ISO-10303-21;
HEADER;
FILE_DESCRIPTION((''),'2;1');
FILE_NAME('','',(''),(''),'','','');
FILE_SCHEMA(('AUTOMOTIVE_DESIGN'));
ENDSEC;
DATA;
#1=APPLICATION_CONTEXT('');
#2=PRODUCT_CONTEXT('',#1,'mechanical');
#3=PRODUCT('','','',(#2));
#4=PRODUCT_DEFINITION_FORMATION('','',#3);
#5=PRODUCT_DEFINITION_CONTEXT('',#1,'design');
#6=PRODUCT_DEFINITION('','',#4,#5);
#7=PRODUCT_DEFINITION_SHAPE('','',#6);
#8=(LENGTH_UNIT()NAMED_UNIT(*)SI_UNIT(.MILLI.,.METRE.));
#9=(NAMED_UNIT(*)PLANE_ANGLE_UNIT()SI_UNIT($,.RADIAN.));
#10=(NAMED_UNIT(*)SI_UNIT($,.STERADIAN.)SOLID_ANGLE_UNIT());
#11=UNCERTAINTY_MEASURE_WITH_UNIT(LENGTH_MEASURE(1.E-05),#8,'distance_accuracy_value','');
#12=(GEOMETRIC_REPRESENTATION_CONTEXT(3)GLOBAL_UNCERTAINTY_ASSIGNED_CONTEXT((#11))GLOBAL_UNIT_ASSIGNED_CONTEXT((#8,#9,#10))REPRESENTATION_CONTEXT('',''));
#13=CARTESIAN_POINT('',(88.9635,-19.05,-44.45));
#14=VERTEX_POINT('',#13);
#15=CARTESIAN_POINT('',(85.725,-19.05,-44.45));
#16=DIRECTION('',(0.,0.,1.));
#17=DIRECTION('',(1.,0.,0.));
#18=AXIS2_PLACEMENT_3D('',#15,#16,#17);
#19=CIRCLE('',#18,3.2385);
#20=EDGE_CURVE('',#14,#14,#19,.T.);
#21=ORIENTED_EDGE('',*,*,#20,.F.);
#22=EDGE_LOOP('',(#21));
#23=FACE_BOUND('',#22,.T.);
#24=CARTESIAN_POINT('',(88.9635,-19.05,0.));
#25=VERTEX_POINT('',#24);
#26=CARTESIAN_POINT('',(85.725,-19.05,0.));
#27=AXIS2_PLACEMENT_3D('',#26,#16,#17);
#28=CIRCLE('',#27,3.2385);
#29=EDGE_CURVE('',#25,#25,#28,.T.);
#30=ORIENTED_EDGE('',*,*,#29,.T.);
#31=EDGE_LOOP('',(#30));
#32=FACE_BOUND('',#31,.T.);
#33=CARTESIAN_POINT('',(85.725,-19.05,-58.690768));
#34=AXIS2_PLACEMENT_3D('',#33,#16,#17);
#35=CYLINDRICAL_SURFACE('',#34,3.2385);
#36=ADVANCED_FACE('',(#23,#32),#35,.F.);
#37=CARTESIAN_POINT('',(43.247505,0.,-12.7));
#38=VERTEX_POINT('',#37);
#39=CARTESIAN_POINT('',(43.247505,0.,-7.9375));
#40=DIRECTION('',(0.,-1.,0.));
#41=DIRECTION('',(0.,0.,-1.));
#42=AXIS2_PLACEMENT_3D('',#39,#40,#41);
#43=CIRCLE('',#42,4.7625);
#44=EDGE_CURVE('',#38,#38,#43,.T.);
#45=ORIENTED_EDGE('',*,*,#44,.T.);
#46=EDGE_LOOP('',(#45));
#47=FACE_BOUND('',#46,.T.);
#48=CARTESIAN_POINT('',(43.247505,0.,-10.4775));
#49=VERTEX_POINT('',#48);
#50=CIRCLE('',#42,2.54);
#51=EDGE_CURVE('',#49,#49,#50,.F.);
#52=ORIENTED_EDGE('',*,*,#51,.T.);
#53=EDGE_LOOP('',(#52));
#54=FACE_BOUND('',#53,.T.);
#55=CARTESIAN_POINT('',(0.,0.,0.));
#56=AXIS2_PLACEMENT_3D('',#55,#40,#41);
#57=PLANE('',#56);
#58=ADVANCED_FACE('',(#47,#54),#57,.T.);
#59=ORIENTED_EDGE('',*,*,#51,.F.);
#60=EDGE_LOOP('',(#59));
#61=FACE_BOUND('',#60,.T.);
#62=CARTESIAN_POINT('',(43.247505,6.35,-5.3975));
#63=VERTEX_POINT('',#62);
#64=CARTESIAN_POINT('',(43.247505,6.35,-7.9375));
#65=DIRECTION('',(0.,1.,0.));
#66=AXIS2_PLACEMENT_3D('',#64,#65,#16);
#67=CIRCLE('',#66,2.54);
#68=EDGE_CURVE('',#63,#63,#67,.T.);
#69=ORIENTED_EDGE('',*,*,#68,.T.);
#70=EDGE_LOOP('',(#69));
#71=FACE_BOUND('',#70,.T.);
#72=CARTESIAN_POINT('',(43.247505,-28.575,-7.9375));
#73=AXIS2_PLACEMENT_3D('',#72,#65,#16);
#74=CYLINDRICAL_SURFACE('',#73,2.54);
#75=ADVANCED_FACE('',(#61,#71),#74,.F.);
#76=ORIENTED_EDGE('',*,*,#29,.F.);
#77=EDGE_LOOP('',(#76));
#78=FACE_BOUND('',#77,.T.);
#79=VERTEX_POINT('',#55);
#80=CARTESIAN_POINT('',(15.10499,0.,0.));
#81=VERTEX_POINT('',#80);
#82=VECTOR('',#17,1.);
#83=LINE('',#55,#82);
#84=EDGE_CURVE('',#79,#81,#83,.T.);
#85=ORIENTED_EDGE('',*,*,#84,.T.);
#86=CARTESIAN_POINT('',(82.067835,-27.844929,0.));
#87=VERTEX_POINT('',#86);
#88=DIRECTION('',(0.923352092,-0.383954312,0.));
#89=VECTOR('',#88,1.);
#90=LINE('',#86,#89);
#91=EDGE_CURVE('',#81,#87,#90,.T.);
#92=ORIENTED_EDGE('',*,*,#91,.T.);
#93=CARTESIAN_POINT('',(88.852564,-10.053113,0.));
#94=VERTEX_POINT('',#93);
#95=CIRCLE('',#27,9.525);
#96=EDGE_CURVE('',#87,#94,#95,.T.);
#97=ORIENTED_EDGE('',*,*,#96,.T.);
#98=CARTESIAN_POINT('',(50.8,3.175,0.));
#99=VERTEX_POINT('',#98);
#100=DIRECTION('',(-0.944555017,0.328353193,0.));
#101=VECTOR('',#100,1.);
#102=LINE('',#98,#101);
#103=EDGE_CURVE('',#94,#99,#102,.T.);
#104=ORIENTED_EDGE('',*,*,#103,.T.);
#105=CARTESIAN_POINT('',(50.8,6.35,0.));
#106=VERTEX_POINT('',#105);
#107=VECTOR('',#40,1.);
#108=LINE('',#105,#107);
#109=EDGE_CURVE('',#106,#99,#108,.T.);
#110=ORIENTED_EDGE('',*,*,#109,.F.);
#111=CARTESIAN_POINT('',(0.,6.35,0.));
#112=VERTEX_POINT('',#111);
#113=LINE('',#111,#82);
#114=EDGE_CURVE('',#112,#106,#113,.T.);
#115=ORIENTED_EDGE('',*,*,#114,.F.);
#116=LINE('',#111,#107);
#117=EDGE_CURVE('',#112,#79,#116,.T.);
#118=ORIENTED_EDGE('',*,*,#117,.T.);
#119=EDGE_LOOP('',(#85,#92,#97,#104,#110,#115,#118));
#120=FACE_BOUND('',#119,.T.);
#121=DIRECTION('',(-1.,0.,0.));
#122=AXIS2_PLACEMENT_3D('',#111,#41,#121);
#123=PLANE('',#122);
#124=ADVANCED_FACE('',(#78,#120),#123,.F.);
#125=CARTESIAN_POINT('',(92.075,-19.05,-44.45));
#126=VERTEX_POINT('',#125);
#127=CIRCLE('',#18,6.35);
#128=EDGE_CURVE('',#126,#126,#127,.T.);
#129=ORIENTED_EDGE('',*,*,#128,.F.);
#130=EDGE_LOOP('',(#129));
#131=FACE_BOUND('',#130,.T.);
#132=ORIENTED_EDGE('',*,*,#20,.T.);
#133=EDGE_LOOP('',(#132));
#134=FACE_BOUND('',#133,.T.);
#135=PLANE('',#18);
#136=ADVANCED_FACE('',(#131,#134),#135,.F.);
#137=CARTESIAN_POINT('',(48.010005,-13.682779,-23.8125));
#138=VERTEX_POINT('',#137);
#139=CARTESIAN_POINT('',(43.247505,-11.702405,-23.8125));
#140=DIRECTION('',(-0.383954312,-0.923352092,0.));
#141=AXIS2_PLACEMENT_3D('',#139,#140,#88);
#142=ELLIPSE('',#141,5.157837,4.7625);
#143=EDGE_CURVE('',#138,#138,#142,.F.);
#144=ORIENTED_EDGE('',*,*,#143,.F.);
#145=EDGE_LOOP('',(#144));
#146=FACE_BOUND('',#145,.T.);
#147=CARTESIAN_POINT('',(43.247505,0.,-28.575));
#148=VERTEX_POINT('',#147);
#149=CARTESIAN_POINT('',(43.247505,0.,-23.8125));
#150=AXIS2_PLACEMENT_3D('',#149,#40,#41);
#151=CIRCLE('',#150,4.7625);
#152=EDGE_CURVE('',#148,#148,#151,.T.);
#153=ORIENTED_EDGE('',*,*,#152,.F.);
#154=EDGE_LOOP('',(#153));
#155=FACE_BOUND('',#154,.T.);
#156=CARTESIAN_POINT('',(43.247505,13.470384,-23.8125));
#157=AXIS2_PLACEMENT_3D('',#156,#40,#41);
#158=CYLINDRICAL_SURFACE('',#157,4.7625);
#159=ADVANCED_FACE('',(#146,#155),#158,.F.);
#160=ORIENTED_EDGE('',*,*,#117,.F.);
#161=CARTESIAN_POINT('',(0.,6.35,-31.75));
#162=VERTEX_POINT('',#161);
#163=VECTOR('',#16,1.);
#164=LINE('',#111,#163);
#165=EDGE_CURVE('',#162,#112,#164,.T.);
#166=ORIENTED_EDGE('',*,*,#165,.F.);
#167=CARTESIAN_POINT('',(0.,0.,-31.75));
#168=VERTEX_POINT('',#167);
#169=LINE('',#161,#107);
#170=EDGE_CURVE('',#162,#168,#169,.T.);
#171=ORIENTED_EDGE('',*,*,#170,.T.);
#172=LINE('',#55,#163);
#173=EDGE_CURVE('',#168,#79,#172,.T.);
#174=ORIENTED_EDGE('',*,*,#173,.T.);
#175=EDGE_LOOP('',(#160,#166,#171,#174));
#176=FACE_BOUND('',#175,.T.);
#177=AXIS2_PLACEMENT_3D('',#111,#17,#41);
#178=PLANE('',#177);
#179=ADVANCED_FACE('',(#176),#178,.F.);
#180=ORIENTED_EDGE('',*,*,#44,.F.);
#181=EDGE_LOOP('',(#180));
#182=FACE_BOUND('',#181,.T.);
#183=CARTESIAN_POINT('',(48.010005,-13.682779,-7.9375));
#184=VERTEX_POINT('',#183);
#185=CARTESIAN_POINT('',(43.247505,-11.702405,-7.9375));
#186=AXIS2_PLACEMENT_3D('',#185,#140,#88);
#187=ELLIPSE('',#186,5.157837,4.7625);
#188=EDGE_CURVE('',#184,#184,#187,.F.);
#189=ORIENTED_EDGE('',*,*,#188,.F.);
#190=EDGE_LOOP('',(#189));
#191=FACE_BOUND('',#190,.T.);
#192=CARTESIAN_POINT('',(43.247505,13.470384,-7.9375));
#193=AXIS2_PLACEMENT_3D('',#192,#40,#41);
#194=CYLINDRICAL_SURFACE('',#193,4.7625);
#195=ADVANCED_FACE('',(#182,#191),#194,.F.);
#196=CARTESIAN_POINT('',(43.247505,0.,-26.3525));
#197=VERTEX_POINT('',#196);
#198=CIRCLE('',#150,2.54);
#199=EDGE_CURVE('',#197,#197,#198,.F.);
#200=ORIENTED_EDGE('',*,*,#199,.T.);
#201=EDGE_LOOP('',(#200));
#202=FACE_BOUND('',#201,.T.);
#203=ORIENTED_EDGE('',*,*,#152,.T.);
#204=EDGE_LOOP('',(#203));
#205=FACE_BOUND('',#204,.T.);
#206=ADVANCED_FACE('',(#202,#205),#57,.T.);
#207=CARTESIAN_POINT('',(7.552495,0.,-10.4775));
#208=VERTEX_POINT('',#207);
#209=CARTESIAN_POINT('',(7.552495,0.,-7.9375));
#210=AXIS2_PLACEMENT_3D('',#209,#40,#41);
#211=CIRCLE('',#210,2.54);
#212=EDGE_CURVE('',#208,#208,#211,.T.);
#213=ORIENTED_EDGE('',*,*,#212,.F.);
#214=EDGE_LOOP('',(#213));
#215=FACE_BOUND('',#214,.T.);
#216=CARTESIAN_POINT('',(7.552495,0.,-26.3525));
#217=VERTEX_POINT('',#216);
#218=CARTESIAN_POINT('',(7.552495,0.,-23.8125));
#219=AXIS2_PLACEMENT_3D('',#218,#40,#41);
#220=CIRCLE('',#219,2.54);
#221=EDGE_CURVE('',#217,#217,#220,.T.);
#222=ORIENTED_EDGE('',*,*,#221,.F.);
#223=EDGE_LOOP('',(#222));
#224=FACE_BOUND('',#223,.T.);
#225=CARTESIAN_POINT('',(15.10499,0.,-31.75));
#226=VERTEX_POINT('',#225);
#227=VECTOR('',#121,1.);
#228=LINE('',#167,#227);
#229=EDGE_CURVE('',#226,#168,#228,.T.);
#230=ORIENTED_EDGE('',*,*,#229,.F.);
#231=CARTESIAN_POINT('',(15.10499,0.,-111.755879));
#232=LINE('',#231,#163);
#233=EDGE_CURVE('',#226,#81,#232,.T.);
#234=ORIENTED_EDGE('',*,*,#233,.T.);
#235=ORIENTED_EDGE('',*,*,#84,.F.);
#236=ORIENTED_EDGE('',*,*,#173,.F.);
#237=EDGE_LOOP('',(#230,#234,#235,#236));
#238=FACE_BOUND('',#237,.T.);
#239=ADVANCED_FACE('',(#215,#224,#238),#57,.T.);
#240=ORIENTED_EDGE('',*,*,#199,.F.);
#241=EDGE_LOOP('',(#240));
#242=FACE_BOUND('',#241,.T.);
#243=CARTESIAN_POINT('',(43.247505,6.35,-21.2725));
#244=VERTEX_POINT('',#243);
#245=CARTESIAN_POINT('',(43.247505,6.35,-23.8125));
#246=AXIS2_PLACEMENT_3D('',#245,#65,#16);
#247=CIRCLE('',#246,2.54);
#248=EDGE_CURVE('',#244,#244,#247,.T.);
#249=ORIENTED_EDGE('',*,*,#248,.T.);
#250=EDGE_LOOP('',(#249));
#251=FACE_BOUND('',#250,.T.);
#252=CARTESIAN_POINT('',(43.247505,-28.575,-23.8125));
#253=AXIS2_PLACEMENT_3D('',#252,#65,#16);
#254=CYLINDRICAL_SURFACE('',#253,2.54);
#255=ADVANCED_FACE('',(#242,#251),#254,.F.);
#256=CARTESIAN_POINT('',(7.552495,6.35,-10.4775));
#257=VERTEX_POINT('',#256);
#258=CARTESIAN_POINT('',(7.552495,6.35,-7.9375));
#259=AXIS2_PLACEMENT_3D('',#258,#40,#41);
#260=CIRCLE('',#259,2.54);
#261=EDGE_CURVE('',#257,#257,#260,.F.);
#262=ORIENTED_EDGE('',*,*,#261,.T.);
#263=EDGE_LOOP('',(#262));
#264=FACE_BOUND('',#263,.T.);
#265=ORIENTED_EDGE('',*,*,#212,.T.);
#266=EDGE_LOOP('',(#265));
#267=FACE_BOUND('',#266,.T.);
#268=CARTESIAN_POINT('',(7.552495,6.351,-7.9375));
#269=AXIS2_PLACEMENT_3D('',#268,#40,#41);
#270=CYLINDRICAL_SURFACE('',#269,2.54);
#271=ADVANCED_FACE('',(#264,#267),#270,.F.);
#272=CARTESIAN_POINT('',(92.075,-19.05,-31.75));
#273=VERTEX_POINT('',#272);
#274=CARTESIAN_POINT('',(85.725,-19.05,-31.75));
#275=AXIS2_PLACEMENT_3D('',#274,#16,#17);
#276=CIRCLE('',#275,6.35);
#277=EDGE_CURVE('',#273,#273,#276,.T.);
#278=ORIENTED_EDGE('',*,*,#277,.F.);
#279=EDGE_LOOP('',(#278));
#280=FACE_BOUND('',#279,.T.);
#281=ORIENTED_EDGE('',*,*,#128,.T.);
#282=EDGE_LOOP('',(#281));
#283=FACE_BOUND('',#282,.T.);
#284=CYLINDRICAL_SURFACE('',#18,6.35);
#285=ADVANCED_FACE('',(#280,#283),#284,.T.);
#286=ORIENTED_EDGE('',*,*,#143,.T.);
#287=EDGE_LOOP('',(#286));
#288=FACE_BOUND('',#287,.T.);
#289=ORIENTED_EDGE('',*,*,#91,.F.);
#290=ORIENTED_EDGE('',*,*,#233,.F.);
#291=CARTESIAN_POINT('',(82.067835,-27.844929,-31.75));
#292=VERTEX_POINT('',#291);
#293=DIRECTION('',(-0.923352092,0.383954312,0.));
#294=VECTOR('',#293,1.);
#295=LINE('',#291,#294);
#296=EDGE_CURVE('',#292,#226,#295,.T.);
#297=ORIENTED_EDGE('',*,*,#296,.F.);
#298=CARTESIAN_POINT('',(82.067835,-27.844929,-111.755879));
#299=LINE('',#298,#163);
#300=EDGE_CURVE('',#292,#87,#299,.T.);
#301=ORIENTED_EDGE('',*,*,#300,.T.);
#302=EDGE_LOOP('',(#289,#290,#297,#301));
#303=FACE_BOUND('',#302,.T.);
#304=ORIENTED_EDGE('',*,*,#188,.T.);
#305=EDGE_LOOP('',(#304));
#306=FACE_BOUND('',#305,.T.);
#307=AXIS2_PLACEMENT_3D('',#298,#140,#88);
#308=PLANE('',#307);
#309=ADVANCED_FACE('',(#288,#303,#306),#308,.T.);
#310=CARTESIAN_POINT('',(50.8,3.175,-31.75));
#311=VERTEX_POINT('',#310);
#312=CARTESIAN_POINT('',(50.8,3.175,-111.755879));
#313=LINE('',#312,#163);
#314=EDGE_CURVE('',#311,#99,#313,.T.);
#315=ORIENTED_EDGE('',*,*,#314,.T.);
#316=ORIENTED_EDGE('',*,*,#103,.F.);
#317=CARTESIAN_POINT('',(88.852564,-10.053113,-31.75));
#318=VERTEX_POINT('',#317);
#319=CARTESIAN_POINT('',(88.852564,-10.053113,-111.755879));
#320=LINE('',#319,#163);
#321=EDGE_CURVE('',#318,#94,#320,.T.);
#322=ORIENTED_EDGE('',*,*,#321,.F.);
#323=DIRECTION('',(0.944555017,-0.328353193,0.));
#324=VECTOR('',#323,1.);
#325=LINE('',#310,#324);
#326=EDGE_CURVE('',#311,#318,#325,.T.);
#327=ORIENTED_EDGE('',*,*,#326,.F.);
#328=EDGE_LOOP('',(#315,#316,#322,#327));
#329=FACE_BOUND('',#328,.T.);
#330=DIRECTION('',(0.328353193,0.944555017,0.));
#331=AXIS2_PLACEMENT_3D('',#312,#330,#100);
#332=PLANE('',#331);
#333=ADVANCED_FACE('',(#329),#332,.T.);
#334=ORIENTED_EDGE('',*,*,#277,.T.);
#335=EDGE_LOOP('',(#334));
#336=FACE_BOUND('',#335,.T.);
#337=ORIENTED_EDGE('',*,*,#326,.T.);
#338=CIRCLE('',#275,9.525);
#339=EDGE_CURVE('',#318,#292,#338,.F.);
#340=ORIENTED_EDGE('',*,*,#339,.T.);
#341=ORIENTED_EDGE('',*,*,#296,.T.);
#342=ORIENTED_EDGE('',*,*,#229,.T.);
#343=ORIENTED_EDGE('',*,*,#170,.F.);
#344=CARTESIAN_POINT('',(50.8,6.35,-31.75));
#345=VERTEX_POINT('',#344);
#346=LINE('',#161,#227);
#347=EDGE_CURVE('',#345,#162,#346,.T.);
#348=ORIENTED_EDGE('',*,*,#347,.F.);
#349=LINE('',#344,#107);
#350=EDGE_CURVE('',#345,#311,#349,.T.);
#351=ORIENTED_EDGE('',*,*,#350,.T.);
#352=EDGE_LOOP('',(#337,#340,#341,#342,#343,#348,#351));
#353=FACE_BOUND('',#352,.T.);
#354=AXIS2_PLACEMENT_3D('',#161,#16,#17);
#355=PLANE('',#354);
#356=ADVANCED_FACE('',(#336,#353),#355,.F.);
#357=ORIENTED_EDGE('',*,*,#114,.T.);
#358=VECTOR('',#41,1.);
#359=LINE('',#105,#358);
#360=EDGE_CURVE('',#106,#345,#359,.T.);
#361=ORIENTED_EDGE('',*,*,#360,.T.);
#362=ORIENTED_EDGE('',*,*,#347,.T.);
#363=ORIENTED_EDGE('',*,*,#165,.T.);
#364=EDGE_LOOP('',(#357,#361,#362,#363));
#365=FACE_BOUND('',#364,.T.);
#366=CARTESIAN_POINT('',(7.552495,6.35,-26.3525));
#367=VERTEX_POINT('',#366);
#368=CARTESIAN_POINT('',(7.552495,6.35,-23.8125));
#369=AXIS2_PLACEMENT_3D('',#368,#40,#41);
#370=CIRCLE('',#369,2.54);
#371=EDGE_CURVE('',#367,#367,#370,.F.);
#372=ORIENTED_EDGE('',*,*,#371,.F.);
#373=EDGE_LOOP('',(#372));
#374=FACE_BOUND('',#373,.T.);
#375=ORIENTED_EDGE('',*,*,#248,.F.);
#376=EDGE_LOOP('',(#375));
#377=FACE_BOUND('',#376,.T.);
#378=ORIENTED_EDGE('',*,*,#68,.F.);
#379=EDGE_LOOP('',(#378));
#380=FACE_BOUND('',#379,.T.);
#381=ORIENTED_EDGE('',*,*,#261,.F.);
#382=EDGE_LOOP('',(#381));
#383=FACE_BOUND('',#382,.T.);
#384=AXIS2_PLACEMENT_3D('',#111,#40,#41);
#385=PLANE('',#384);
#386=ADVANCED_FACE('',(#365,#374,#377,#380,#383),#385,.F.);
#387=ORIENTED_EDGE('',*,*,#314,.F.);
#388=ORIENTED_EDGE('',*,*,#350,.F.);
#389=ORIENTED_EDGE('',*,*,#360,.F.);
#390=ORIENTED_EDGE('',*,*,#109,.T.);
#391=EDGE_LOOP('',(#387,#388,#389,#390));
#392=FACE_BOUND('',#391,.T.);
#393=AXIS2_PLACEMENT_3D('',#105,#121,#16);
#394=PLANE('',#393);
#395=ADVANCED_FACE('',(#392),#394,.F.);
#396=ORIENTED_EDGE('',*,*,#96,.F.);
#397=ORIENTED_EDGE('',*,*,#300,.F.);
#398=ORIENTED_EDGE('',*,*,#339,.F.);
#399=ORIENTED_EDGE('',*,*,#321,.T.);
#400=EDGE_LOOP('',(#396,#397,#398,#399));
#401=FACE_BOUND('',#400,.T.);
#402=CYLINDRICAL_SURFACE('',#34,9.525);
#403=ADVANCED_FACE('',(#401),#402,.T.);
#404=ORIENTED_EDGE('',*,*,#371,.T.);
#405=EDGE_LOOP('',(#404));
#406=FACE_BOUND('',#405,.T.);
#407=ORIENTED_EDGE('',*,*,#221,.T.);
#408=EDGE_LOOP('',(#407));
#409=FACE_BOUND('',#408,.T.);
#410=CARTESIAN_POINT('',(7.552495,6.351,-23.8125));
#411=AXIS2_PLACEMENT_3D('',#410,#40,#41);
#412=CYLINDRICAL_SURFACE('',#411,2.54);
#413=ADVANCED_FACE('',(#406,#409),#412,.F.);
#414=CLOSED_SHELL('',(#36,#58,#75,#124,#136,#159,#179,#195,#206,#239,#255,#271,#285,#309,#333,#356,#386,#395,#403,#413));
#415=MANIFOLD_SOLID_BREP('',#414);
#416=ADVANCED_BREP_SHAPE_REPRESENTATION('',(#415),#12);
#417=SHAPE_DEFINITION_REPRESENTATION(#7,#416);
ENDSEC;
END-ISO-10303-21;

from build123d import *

# Parameters (mm, degrees)
SKETCH1_W           = 50.8
SKETCH1_H           = 31.75
BOSS_EXTRUDE1_DEPTH = 6.35
SKETCH2_R           = 9.525
SKETCH2_R_2         = 3.2385
BOSS_EXTRUDE2_DEPTH = 31.75
BOSS_EXTRUDE3_DEPTH = 31.75
CUT_EXTRUDE1_REACH  = 8.35
SKETCH5_R           = 2.54
SKETCH6_R           = 2.54
CUT_EXTRUDE2_DEPTH  = 35.925
SKETCH7_R           = 4.7625
CUT_EXTRUDE3_DEPTH  = 19.05
SKETCH4_R           = 6.35
SKETCH4_R_2         = 3.2385
BOSS_EXTRUDE4_DEPTH = 12.7


with BuildPart() as part:
    # Sketch1 → Boss-Extrude1 (new body)
    with BuildSketch(Plane(origin=(0, 0, 0), x_dir=(1, 0, 0), z_dir=(0, 1, 0))):
        with Locations((25.4, 15.875)):
            Rectangle(SKETCH1_W, SKETCH1_H)
    extrude(amount=BOSS_EXTRUDE1_DEPTH)



with BuildPart() as body_2:
    # Sketch2 → Boss-Extrude2 (new body)
    with BuildSketch(Plane.XY):
        with Locations((85.725, -19.05)):
            Circle(SKETCH2_R)
        with Locations((85.725, -19.05)):
            Circle(SKETCH2_R_2, mode=Mode.SUBTRACT)
    extrude(amount=-BOSS_EXTRUDE2_DEPTH)


with BuildPart() as part_1:
    add(part.part)

    add(body_2.part)  # Boss-Extrude3 merges body 2
    # Sketch3 → Boss-Extrude3 (add)
    with BuildSketch(Plane.XY):
        with BuildLine():
            Line((50.8, 3.175), (88.852564162, -10.05311346))
            ThreePointArc((88.852564162, -10.05311346), (76.82515217, -15.656132943), (82.067835176, -27.844928678))
            Line((82.067835176, -27.844928678), (15.104990042, 0))
            Line((15.104990042, 0), (15.104990042, 3.175))
            Line((15.104990042, 3.175), (50.8, 3.175))
        make_face()
    extrude(amount=-BOSS_EXTRUDE3_DEPTH)

    # Sketch5 → Cut-Extrude1 (cut, up to next)
    with BuildSketch(Plane.XZ, mode=Mode.PRIVATE) as cut_extrude1_sk1:
        with Locations((7.552495021, -7.9375)):
            Circle(SKETCH5_R)
    cut_extrude1_tool1 = extrude(cut_extrude1_sk1.sketch, amount=-CUT_EXTRUDE1_REACH, mode=Mode.PRIVATE) & part_1.part
    add(cut_extrude1_tool1.solids().sort_by_distance((7.552495, 0, -7.9375))[0], mode=Mode.SUBTRACT)
    # Sketch5 → Cut-Extrude1 (cut, up to next)
    with BuildSketch(Plane.XZ, mode=Mode.PRIVATE) as cut_extrude1_sk2:
        with Locations((7.552495021, -23.8125)):
            Circle(SKETCH5_R)
    cut_extrude1_tool2 = extrude(cut_extrude1_sk2.sketch, amount=-CUT_EXTRUDE1_REACH, mode=Mode.PRIVATE) & part_1.part
    add(cut_extrude1_tool2.solids().sort_by_distance((7.552495, 0, -23.8125))[0], mode=Mode.SUBTRACT)

    # Sketch6 → Cut-Extrude2 (cut, through all)
    with BuildSketch(Plane(origin=(0, 6.35, 0), x_dir=(1, 0, 0), z_dir=(0, 1, 0))):
        with Locations((43.247504979, 7.9375)):
            Circle(SKETCH6_R)
        with Locations((43.247504979, 23.8125)):
            Circle(SKETCH6_R)
    extrude(amount=-CUT_EXTRUDE2_DEPTH, mode=Mode.SUBTRACT)

    # Sketch7 → Cut-Extrude3 (cut)
    with BuildSketch(Plane(origin=(0, -19.05, 0), x_dir=(1, 0, 0), z_dir=(0, 1, 0))):
        with Locations((43.247504979, 23.8125)):
            Circle(SKETCH7_R)
        with Locations((43.247504979, 7.9375)):
            Circle(SKETCH7_R)
    extrude(amount=CUT_EXTRUDE3_DEPTH, mode=Mode.SUBTRACT)

    # Sketch4 → Boss-Extrude4 (add)
    with BuildSketch(Plane.XY.offset(-31.75)):
        with Locations((85.725, -19.05)):
            Circle(SKETCH4_R)
        with Locations((85.725, -19.05)):
            Circle(SKETCH4_R_2, mode=Mode.SUBTRACT)
    extrude(amount=-BOSS_EXTRUDE4_DEPTH)


solid = part_1.part
